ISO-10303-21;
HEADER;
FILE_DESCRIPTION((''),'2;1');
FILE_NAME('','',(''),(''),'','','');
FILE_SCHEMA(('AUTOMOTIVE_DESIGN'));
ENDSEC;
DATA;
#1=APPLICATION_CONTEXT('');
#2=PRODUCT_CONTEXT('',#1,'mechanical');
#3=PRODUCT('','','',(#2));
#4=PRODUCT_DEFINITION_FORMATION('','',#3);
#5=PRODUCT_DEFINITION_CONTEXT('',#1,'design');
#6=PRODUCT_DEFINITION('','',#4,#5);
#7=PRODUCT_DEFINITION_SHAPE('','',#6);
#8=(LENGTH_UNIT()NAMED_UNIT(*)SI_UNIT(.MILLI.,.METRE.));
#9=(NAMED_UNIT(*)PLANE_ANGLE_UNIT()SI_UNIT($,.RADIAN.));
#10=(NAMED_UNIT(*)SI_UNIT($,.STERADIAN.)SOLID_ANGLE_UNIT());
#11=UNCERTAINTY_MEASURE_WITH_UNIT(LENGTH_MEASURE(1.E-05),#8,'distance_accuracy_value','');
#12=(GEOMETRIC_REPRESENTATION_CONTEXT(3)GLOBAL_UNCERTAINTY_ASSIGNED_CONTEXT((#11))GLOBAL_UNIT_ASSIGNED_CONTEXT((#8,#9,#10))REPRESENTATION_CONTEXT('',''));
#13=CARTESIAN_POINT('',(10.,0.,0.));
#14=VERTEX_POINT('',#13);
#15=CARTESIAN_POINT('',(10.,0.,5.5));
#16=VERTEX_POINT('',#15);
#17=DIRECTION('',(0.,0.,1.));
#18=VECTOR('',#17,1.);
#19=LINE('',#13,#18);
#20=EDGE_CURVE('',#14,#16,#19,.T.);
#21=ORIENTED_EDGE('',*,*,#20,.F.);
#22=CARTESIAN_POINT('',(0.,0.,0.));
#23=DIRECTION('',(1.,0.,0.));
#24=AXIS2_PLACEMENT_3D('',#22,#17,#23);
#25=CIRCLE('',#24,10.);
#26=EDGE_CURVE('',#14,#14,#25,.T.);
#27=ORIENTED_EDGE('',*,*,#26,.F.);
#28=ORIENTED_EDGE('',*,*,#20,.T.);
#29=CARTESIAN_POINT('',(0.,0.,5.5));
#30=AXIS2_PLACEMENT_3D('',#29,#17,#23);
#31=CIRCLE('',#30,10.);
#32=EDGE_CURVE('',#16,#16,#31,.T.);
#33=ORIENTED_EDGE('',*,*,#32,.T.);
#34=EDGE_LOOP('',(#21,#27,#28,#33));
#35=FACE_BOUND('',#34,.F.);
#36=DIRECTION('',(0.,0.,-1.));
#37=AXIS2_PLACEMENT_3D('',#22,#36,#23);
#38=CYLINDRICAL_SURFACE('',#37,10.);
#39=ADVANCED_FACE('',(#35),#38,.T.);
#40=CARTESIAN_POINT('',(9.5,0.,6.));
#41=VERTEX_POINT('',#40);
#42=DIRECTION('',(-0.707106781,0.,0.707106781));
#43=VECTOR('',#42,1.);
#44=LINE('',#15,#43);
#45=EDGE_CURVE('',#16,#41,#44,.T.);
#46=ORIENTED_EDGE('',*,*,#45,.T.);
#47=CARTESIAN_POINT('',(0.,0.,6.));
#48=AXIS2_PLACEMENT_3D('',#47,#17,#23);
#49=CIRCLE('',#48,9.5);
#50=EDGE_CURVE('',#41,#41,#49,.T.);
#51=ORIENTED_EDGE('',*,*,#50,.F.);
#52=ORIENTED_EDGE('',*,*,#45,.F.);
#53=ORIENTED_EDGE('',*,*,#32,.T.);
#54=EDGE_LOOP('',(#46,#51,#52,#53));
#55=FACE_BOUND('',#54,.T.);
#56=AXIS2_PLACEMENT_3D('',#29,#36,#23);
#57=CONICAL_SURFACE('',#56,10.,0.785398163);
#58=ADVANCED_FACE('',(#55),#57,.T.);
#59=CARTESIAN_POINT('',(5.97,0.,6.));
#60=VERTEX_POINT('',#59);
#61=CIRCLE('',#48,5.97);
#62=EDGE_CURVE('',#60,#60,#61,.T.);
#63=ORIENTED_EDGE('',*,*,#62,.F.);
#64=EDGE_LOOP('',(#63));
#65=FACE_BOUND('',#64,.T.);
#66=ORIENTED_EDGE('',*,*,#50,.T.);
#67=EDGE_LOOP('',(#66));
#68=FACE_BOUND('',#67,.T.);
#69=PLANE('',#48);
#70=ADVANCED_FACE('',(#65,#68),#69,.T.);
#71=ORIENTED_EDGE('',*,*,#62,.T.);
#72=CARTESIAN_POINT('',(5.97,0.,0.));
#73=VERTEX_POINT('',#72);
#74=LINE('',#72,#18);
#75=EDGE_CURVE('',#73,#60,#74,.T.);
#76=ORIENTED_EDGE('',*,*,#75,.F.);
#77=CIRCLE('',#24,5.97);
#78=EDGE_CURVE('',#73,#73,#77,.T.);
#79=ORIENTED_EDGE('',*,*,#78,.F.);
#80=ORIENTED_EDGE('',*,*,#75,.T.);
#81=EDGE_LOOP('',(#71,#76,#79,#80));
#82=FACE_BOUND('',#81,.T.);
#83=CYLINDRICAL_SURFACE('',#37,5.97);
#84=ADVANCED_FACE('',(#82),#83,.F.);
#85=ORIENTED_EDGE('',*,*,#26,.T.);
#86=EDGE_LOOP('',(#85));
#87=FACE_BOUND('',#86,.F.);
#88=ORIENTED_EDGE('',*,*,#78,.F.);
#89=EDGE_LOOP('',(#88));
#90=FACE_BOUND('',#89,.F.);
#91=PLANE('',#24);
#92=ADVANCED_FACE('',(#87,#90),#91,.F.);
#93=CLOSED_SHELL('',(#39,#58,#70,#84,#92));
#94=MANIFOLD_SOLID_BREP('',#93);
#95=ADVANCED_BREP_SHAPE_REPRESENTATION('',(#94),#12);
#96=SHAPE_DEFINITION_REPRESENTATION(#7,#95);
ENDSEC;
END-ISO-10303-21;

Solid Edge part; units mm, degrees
sketch "Sketch1" plane through (0, 0, 0) normal (0, 0, 1) x (1, 0, 0)
  circle A0 centre (0, 0) radius 10
  circle A1 centre (0, 0) radius 5.97
  dimension "D1" = 11.94
  dimension "D2" = 20
extrude "Protrusion1" add sketch "Sketch1" along normal blind 6
chamfer "Chamfer_1" distance 0.5 angle 45 1 edges at (-10, 0, 6)
